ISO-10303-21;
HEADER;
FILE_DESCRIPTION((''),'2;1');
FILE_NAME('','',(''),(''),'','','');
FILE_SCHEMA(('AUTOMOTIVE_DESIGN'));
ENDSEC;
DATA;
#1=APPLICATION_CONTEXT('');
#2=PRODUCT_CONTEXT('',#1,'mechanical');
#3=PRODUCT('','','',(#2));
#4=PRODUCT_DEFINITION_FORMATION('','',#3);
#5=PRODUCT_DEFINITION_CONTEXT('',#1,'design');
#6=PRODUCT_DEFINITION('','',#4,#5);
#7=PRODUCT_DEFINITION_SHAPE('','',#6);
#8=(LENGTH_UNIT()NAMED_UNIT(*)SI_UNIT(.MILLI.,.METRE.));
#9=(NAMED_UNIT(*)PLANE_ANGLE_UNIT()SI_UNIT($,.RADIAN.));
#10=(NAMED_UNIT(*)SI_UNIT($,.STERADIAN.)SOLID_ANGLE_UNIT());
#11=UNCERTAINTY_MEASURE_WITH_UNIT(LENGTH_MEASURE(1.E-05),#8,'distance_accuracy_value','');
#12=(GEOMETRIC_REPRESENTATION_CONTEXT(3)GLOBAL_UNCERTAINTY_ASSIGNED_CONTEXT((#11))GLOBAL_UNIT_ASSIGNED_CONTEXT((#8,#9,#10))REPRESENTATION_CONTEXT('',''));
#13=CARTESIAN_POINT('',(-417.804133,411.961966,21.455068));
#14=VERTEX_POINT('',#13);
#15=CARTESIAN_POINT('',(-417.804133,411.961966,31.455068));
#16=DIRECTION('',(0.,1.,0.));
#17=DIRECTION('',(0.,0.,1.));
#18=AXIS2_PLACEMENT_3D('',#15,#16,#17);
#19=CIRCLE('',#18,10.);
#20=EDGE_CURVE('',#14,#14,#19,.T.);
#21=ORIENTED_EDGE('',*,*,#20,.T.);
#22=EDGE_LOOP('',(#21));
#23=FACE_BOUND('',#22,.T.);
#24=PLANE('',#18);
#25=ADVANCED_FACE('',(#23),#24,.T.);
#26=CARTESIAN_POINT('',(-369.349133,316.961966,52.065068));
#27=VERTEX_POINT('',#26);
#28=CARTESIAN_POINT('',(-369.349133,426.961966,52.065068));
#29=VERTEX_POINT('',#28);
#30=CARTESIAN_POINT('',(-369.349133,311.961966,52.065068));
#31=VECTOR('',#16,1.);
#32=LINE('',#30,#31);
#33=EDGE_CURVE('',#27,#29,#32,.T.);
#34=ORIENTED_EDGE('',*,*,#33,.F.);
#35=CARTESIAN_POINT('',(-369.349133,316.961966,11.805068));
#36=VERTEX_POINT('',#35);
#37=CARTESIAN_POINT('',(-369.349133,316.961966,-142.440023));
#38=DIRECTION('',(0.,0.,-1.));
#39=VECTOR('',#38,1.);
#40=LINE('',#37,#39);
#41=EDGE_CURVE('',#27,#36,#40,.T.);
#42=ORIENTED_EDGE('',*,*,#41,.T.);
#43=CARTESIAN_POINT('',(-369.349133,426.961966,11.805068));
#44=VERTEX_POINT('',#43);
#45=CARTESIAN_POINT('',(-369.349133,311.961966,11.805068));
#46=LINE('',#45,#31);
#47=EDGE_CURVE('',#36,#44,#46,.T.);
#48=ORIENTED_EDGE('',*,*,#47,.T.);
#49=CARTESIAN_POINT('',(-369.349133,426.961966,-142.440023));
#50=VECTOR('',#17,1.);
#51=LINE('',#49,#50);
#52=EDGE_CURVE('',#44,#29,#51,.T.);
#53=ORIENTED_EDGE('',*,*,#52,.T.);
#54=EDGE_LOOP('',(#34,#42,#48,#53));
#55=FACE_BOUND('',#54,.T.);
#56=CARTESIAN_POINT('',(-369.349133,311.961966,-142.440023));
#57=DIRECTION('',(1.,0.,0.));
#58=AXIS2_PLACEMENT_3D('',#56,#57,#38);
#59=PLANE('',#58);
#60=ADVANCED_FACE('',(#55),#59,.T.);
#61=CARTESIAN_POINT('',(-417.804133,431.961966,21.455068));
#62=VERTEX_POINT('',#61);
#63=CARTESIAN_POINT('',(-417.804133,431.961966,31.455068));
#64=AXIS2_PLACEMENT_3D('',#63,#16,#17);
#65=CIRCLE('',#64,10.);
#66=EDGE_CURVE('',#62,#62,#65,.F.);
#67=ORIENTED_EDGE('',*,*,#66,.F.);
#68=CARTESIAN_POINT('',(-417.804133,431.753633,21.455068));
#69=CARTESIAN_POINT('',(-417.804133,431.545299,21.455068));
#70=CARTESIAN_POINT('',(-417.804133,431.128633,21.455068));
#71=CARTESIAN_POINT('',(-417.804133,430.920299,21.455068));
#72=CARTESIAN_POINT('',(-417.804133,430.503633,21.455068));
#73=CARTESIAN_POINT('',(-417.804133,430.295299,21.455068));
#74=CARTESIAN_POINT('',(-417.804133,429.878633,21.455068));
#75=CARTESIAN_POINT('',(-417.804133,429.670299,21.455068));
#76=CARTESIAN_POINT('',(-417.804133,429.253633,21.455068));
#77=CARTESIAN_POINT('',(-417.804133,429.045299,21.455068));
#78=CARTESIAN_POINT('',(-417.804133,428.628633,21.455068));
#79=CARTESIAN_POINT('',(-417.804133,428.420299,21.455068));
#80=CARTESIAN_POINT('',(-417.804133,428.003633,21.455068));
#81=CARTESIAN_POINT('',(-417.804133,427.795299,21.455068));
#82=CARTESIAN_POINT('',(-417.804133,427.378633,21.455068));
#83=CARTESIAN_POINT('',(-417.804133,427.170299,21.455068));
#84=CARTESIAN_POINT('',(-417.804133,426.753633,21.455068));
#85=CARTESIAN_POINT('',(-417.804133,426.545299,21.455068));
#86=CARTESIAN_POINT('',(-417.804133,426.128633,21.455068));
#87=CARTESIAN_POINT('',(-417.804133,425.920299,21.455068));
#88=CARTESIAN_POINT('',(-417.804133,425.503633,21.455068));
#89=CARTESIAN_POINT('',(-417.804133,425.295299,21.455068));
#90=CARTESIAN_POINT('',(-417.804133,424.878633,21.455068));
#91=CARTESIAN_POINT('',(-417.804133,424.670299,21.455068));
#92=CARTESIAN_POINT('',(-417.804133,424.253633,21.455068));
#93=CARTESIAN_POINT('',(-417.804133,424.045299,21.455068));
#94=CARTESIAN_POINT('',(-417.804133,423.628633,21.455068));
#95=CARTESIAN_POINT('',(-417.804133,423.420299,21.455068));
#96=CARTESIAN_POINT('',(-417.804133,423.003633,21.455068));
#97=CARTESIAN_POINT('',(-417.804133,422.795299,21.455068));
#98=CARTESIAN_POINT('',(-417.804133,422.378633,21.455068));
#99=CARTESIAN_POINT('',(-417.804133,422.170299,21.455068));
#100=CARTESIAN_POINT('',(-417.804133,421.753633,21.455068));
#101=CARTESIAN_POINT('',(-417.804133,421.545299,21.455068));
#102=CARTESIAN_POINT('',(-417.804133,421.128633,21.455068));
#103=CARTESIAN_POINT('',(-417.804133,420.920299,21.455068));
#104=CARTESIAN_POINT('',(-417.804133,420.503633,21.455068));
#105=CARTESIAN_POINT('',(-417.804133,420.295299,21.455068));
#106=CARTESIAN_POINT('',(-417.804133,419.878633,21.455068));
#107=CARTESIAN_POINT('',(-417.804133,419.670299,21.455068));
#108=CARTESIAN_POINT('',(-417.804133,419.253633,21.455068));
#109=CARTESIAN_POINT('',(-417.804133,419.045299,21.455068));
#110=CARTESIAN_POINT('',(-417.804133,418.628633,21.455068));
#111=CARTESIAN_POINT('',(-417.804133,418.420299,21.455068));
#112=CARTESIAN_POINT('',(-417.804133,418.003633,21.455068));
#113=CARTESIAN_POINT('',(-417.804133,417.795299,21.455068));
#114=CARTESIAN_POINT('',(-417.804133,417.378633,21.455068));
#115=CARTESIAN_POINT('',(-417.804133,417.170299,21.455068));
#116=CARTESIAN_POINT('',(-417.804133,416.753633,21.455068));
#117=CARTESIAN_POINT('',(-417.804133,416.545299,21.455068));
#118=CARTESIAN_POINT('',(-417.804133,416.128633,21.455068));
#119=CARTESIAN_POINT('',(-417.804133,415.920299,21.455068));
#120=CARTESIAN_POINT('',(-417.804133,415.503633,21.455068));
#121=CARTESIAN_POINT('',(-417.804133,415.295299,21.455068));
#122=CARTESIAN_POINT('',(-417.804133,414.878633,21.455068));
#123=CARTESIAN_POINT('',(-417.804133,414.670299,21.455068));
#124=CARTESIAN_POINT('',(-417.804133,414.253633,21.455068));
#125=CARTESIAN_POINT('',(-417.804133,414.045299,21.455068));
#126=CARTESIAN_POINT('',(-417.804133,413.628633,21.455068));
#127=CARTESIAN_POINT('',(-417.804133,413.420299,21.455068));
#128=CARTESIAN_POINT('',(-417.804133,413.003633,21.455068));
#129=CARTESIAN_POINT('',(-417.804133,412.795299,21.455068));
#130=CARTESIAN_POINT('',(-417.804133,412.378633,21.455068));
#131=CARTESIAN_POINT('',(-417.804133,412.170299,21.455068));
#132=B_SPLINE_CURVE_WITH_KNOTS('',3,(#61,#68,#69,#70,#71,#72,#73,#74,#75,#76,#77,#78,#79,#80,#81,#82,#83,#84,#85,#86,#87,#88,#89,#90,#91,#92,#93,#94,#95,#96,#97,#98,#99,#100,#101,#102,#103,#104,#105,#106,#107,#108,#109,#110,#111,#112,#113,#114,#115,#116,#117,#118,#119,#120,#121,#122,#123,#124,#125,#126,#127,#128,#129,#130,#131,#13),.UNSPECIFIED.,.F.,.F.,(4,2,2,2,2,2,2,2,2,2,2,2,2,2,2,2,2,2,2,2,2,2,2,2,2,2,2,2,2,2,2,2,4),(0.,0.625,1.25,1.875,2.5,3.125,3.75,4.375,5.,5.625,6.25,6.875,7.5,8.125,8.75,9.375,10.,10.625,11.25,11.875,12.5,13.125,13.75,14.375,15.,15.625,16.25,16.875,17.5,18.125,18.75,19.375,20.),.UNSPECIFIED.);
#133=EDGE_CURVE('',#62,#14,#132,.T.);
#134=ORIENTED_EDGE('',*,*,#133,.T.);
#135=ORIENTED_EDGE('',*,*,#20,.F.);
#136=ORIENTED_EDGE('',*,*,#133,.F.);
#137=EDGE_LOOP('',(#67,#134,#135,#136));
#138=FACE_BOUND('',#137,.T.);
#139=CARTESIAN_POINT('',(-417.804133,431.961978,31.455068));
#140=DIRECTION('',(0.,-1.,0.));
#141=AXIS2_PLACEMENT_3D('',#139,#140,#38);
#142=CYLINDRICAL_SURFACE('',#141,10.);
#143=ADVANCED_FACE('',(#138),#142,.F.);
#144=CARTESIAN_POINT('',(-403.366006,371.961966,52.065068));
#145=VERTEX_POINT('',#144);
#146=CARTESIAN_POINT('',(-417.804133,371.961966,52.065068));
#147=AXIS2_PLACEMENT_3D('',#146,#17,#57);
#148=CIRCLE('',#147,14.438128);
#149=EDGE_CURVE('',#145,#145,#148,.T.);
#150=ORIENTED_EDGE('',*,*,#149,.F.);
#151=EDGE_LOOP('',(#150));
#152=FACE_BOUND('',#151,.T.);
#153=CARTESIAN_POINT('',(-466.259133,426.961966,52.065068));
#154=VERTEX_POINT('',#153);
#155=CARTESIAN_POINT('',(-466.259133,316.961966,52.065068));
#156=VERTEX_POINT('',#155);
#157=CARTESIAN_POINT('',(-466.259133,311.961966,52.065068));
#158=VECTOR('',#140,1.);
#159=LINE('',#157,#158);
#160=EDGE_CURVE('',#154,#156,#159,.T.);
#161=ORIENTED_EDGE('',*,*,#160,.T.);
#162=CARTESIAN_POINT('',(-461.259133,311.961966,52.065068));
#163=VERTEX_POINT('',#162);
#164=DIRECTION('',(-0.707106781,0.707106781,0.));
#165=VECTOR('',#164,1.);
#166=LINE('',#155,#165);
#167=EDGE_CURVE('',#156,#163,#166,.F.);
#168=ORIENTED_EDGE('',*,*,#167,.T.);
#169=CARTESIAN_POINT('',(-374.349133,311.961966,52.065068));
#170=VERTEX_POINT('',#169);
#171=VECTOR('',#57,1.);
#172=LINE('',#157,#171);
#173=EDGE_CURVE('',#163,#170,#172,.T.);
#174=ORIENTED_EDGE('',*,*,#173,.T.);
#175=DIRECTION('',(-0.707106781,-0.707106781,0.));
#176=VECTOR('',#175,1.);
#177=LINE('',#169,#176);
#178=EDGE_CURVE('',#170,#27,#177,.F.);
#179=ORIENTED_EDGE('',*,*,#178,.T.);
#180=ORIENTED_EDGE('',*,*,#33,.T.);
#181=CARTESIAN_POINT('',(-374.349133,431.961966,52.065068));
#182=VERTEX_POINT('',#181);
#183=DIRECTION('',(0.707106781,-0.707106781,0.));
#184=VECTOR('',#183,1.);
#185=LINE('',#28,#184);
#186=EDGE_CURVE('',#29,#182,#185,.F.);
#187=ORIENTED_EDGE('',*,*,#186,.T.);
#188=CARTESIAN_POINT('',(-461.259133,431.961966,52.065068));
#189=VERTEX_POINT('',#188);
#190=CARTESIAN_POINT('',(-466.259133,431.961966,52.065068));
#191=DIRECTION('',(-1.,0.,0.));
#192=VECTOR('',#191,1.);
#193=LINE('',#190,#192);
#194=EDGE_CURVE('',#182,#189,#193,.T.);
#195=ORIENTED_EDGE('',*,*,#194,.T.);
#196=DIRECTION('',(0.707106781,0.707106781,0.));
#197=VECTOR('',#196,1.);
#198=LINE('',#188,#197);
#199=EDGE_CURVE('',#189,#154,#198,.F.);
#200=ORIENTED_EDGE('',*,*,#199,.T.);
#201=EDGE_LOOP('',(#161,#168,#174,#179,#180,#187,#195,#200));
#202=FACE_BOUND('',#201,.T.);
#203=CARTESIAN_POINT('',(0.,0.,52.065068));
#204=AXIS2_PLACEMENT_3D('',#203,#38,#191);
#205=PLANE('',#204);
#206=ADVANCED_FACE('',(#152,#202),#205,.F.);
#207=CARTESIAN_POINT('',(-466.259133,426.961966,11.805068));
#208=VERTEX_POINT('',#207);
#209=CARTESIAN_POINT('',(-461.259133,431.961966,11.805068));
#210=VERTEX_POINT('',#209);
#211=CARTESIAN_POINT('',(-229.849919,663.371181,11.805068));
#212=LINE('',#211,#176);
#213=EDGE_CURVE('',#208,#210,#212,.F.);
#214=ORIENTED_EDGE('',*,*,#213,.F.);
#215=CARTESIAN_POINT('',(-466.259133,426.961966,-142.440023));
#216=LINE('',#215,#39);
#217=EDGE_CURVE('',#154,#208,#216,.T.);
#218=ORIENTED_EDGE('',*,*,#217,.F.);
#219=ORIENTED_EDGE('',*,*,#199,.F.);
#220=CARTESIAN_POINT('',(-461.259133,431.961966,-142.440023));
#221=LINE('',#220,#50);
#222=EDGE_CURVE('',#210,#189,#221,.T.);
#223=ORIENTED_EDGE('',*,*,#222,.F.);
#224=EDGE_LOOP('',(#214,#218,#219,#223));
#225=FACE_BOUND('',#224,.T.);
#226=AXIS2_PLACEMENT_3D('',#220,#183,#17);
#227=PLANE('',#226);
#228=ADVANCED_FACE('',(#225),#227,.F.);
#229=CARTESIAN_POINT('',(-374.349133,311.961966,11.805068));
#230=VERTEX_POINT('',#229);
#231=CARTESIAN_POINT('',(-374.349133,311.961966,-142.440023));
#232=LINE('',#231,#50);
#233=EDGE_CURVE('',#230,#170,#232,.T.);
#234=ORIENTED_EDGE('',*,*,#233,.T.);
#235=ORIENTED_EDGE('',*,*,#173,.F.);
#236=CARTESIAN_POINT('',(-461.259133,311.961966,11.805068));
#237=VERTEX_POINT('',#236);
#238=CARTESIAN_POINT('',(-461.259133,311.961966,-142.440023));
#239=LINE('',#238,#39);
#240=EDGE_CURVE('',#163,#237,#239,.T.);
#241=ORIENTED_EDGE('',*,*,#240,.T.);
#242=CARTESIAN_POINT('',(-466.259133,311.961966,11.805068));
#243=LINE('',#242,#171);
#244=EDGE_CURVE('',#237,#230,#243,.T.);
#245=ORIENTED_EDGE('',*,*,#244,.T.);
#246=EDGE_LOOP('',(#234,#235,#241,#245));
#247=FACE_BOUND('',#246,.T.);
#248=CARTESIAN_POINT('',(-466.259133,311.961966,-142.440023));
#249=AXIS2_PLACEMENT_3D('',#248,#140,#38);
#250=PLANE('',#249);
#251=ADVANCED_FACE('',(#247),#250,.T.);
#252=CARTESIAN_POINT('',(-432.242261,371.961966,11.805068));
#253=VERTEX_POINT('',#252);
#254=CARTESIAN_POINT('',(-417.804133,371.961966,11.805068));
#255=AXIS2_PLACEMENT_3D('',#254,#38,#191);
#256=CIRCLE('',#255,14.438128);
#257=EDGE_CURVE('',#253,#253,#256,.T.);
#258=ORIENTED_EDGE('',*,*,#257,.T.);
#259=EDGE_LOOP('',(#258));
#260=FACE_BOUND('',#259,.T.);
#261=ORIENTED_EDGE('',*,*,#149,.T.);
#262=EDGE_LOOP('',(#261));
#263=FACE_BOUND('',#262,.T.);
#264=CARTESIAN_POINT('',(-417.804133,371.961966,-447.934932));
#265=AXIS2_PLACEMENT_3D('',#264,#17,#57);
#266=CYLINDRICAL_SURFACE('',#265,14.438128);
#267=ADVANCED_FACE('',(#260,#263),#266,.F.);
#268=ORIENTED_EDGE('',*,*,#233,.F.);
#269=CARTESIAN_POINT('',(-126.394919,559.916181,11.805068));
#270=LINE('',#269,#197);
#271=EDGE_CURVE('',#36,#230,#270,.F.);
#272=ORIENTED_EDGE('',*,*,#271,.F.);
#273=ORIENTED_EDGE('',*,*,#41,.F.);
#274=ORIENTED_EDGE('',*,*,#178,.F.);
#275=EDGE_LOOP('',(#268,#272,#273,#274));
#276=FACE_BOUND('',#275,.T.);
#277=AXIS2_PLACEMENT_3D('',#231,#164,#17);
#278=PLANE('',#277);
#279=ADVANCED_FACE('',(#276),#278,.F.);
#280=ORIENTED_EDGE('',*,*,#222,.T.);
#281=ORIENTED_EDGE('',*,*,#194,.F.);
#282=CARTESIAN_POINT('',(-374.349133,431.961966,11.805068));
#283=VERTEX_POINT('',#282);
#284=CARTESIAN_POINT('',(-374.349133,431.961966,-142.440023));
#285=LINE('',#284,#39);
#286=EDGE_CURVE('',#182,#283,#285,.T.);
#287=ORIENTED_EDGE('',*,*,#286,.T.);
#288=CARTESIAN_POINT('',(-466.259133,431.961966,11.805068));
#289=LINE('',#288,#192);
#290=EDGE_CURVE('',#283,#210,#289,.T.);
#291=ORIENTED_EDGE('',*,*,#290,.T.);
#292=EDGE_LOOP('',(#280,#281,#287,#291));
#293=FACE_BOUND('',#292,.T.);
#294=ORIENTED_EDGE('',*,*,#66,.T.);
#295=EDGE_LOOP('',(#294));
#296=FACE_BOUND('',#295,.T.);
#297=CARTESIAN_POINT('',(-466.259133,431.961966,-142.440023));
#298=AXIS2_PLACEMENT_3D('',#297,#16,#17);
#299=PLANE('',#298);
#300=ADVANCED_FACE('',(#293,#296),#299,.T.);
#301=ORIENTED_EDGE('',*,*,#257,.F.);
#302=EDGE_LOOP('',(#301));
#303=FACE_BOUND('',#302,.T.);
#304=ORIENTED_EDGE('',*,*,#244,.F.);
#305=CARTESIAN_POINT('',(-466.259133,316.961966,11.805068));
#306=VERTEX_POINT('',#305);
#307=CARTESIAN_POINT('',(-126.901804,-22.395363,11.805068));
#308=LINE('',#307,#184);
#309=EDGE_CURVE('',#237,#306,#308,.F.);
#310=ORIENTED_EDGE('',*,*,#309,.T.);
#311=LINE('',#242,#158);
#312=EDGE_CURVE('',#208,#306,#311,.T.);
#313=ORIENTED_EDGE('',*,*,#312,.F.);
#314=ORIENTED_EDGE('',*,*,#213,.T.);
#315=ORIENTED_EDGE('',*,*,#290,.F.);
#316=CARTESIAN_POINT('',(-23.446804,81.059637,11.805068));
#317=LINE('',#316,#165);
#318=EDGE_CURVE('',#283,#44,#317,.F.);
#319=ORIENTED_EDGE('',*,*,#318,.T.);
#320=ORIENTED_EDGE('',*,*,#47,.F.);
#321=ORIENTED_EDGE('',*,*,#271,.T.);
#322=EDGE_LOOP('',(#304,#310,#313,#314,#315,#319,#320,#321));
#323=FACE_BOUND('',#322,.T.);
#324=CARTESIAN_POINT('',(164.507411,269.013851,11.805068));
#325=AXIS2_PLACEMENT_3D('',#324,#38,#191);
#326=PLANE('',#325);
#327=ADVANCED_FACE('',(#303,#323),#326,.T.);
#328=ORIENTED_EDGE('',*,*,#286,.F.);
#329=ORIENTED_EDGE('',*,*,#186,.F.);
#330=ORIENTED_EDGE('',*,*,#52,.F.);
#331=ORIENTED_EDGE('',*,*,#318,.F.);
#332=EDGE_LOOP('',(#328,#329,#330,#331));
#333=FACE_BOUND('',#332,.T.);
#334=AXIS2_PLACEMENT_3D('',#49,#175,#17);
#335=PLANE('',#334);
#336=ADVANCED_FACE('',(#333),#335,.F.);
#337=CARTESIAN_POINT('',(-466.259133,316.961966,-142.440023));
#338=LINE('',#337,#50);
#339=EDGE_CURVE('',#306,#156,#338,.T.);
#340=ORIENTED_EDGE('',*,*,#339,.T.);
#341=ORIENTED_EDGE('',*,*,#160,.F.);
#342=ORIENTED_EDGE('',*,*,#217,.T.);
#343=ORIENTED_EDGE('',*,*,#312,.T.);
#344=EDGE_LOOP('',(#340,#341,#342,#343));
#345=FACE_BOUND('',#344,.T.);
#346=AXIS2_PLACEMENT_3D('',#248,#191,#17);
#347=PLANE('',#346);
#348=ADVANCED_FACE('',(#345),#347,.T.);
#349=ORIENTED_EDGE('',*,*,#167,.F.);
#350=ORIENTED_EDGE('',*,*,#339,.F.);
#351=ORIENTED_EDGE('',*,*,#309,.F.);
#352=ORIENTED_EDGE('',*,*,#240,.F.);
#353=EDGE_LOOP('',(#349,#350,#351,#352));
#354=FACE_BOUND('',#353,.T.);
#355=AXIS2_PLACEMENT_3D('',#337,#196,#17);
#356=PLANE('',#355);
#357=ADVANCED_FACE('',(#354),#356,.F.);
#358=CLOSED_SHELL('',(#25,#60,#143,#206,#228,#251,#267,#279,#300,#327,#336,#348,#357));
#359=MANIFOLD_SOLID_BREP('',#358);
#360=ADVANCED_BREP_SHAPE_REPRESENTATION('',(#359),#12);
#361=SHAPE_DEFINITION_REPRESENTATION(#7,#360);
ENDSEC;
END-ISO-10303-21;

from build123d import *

# Parameters (mm, degrees)
SKETCH_1_W               = 96.91
SKETCH_1_H               = 120
EXTRUDE_1_DEPTH          = 40.26
CUT_EXTRUDE_1_DEPTH      = 637.874859919
CUT_EXTRUDE_1_DEPTH_BACK = 637.874859919
SKETCH_2_R               = 10
CUT_EXTRUDE_2_DEPTH      = 485.260622689
CUT_EXTRUDE_2_DEPTH_BACK = 20
SKETCH_3_R               = 10
CHAMFER_1_SIZE           = 5
SKETCH_4_R               = 14.438127561
CUT_EXTRUDE_3_DEPTH      = 500


with BuildPart() as part:
    # 草图1 → 凸台-拉伸1 (new body)
    with BuildSketch(Plane.XY.offset(52.065067551)):
        with Locations((-417.804133345, 371.961966114)):
            Rectangle(SKETCH_1_W, SKETCH_1_H)
    extrude(amount=-EXTRUDE_1_DEPTH)

    # 草图2 → 切除-拉伸1 (cut, two sides: drawn at the far end of the back side and taken through both)
    with BuildSketch(Plane.XY.offset(52.065067551).offset(-CUT_EXTRUDE_1_DEPTH_BACK)):
        with Locations((-417.804133345, 371.961966114)):
            Circle(SKETCH_2_R)
        with Locations((-494.338767254, 524.640290491)):
            Circle(SKETCH_2_R)
    extrude(amount=CUT_EXTRUDE_1_DEPTH + CUT_EXTRUDE_1_DEPTH_BACK, mode=Mode.SUBTRACT)

    # 草图3 → 切除-拉伸2 (cut, two sides: drawn at the far end of the back side and taken through both)
    with BuildSketch(Plane(origin=(0, 431.961966114, 0), x_dir=(1, 0, 0), z_dir=(0, 1, 0)).offset(-CUT_EXTRUDE_2_DEPTH_BACK)):
        with Locations(Location((-417.804133345, -31.455067551, 0), (0, 0, 90))):
            Circle(SKETCH_3_R)
    extrude(amount=CUT_EXTRUDE_2_DEPTH + CUT_EXTRUDE_2_DEPTH_BACK, mode=Mode.SUBTRACT)

    # 倒角1
    chamfer_1_edges = [part.edges().sort_by_distance(p)[0] for p in [
        (-369.349133345, 311.961966114, 31.935067551),
        (-369.349133345, 431.961966114, 31.935067551),
        (-466.259133345, 431.961966114, 31.935067551),
        (-466.259133345, 311.961966114, 31.935067551),
    ]]
    chamfer(chamfer_1_edges, length=CHAMFER_1_SIZE)

    # 草图4 → 切除-拉伸3 (cut)
    with BuildSketch(Plane.XY.offset(52.065067551)):
        with Locations((-417.804133345, 371.961966114)):
            Circle(SKETCH_4_R)
    extrude(amount=-CUT_EXTRUDE_3_DEPTH, mode=Mode.SUBTRACT)


solid = part.part
